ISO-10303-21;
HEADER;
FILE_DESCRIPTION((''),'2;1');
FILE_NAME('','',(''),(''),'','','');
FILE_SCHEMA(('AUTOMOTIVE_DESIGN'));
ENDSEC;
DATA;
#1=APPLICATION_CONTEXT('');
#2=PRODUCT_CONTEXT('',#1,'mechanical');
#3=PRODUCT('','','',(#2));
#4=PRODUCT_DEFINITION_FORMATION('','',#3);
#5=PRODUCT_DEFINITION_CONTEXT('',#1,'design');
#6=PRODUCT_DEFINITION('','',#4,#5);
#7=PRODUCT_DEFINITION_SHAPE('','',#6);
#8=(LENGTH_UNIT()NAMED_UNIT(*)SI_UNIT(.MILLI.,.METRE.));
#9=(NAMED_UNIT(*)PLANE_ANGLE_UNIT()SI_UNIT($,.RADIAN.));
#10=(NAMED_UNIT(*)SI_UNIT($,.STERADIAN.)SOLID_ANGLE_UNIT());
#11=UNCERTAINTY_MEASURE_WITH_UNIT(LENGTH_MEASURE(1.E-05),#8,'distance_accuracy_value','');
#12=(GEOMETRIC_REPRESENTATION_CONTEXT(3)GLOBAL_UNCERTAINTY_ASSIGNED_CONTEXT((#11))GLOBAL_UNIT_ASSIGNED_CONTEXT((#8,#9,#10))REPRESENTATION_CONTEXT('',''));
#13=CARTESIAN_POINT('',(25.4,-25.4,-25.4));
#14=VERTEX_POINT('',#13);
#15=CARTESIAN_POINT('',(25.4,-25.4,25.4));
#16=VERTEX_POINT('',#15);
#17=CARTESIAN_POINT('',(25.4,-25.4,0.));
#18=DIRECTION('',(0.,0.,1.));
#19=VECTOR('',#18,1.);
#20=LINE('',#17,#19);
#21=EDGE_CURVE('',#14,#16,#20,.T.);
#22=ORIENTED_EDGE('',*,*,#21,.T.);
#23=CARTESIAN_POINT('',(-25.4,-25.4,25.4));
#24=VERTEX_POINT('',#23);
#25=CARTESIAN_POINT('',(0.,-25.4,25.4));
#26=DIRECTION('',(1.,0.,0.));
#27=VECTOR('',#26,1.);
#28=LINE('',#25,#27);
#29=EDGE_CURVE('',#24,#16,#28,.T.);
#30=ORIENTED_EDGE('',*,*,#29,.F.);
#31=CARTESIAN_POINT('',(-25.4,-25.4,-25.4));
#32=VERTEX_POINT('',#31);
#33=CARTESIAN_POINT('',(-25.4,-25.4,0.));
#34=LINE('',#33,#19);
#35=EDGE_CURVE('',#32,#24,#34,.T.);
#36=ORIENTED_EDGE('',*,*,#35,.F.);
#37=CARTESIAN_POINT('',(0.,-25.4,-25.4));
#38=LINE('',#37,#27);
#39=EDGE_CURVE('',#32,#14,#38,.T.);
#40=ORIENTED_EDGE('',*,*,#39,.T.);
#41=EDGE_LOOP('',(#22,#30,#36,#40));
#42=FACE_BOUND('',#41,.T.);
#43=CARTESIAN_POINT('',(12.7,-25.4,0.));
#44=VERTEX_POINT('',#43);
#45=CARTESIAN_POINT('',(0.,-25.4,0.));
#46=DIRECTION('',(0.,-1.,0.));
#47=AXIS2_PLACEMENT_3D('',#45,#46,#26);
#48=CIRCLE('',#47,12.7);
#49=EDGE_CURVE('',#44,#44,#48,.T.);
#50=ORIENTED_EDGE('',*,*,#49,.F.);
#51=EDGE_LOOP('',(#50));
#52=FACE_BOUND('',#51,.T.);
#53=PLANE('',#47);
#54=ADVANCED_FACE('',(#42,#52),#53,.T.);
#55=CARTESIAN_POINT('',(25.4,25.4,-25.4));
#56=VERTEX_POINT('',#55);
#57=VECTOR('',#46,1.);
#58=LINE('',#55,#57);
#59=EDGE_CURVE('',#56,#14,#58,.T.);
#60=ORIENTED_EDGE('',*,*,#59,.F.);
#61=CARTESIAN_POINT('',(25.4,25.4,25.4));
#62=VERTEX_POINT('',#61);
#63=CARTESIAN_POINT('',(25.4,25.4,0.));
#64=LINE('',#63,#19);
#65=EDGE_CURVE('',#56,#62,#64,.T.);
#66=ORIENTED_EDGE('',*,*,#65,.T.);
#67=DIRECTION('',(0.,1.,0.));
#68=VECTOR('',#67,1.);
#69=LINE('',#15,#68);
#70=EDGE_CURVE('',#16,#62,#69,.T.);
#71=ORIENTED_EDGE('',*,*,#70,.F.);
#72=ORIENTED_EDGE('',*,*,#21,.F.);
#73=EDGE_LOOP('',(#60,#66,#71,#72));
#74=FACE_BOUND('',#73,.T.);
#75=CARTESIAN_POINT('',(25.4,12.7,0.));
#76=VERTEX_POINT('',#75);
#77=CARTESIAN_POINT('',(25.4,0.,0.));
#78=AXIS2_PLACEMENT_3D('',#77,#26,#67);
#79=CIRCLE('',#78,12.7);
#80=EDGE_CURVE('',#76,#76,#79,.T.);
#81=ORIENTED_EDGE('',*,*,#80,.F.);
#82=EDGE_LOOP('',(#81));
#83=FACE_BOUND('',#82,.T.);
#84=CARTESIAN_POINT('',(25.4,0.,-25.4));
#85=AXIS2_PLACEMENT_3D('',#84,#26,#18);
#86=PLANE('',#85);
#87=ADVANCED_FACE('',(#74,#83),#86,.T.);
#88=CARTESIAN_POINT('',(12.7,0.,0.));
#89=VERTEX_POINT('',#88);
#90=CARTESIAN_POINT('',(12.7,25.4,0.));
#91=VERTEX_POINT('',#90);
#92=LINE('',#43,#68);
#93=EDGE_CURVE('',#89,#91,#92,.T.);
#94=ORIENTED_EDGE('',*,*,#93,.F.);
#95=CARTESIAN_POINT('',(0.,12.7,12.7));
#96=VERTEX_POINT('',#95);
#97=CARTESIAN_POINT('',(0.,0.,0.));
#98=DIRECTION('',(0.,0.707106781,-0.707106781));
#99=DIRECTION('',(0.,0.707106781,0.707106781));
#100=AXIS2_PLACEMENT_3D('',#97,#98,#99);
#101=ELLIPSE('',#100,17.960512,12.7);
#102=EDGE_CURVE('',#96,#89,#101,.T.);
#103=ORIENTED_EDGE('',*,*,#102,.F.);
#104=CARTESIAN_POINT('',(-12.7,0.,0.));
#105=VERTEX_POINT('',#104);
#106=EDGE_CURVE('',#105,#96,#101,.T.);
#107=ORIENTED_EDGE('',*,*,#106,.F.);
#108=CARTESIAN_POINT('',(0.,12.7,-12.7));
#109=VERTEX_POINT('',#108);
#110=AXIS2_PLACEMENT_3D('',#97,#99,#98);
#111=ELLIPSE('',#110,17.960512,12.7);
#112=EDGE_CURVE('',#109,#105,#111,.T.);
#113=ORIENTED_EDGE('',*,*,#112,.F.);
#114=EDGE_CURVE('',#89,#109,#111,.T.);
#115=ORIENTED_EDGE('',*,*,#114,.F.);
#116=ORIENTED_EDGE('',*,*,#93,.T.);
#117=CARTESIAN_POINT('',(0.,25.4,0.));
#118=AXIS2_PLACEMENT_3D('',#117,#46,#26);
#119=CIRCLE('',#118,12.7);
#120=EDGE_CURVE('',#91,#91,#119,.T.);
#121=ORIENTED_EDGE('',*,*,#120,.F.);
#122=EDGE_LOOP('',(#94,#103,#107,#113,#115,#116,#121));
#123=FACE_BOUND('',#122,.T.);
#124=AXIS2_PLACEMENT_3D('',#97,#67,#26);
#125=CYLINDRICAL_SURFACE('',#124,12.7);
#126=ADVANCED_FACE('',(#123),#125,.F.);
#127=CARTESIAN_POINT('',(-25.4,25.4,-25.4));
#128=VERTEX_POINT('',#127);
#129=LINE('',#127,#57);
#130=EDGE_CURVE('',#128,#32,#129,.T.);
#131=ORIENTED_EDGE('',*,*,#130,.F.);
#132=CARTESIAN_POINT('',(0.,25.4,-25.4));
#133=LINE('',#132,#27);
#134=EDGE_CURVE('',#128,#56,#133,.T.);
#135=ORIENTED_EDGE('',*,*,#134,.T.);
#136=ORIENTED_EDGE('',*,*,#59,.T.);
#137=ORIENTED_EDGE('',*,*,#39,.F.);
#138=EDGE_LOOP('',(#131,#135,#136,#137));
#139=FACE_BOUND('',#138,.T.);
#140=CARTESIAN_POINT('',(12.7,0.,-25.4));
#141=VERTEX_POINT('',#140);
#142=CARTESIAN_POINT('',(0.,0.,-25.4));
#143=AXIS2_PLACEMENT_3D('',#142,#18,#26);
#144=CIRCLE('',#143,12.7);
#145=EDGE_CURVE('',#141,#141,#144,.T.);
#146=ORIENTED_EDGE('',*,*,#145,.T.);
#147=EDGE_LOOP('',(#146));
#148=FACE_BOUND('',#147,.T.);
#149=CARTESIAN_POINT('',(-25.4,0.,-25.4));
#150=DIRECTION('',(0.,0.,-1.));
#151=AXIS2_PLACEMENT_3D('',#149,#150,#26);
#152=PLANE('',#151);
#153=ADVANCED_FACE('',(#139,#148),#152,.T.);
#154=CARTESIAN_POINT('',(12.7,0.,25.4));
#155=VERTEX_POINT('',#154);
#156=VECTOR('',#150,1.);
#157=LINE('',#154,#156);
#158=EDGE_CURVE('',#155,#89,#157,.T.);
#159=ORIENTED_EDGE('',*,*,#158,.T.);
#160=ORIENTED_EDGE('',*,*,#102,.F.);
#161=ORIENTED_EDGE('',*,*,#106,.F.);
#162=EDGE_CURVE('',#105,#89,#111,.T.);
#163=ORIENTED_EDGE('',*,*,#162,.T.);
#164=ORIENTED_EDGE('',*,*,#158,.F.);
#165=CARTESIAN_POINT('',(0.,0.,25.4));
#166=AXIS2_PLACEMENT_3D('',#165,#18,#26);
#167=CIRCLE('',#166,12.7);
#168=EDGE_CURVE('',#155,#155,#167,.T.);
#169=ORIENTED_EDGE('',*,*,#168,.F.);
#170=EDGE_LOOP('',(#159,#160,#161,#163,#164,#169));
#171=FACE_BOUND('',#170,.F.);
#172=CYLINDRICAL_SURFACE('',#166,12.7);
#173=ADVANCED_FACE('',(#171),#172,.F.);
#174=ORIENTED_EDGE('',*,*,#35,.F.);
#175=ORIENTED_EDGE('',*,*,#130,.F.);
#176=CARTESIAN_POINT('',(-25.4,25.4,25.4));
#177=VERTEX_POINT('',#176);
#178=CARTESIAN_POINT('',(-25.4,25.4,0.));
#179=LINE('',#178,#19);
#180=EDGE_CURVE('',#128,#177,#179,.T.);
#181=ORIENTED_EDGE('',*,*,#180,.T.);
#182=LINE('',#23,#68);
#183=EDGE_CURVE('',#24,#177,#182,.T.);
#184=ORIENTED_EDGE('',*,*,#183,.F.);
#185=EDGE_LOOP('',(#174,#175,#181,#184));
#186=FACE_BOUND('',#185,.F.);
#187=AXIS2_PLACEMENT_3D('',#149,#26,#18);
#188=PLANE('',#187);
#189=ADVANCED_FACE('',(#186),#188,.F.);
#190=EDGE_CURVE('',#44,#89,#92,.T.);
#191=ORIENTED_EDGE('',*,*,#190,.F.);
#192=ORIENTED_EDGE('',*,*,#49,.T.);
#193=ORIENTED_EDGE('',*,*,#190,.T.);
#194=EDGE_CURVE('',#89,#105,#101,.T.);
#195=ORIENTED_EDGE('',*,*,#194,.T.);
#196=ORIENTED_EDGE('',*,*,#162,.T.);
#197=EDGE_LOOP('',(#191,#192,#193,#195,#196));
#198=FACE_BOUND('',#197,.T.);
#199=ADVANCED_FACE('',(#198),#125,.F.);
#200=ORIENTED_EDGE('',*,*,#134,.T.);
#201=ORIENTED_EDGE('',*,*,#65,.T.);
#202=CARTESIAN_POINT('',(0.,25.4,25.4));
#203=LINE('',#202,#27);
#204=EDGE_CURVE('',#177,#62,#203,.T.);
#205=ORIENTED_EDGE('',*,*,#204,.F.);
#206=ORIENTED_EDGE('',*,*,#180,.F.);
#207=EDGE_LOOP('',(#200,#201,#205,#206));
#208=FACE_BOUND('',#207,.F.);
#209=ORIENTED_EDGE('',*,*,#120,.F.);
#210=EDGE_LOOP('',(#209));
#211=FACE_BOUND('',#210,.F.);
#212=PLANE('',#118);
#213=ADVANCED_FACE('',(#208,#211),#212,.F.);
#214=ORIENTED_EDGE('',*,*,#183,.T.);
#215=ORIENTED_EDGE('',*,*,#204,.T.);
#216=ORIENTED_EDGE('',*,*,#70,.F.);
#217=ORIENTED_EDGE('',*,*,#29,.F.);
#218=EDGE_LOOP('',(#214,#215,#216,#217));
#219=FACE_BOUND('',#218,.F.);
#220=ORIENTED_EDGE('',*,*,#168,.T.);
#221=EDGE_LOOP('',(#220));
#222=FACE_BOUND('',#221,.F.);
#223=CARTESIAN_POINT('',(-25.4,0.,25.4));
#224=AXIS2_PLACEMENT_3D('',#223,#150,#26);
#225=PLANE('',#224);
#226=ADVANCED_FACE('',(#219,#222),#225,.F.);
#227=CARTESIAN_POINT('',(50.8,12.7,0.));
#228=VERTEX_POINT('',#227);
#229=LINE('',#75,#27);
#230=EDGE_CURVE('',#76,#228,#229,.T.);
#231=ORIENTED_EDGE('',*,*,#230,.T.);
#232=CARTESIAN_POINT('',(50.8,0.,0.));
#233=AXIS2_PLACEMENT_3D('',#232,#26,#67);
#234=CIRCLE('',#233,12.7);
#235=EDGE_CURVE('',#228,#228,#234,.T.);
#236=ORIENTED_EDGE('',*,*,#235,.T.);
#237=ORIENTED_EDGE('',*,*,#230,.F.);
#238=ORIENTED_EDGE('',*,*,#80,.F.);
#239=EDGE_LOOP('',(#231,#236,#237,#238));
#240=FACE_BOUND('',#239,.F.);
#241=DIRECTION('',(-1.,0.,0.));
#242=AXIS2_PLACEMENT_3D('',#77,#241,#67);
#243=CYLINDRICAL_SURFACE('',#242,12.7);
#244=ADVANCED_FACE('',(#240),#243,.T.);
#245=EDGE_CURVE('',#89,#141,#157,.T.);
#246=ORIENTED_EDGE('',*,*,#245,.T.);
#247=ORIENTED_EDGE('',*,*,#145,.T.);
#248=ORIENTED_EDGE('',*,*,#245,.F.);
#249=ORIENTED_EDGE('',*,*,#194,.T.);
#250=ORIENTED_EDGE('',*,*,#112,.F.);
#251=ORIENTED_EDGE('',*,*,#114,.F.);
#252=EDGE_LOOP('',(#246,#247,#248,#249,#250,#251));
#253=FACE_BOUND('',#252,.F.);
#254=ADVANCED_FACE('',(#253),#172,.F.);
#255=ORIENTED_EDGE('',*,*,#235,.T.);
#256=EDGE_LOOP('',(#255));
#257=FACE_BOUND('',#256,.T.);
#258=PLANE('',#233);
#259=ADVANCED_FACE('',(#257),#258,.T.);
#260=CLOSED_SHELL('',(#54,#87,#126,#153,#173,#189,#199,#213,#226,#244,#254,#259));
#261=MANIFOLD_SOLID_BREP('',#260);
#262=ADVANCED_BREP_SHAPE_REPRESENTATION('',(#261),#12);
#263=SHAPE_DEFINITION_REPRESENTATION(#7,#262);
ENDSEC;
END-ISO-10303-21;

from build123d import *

# Parameters (mm, degrees)
F0_W     = 50.8
F0_H     = 50.8
F0_R     = 12.7
F1_DEPTH = 25.4
F2_R     = 12.7
F3_DEPTH = 50.801
F4_R     = 12.7
F5_DEPTH = 25.4


with BuildPart() as f1:
    # F0 (on Front) → F1 (new body, symmetric)
    with BuildSketch(Plane.XZ):
        Rectangle(F0_W, F0_H)
        Circle(F0_R, mode=Mode.SUBTRACT)
    extrude(amount=F1_DEPTH, both=True)

    # F2 (on face) → F3 (cut, through all)
    with BuildSketch(Plane.XY.offset(25.4)):
        Circle(F2_R)
    extrude(amount=-F3_DEPTH, mode=Mode.SUBTRACT)

    # F4 (on face) → F5 (join)
    with BuildSketch(Plane.YZ.offset(25.4)):
        Circle(F4_R)
    extrude(amount=F5_DEPTH)


solid = f1.part
